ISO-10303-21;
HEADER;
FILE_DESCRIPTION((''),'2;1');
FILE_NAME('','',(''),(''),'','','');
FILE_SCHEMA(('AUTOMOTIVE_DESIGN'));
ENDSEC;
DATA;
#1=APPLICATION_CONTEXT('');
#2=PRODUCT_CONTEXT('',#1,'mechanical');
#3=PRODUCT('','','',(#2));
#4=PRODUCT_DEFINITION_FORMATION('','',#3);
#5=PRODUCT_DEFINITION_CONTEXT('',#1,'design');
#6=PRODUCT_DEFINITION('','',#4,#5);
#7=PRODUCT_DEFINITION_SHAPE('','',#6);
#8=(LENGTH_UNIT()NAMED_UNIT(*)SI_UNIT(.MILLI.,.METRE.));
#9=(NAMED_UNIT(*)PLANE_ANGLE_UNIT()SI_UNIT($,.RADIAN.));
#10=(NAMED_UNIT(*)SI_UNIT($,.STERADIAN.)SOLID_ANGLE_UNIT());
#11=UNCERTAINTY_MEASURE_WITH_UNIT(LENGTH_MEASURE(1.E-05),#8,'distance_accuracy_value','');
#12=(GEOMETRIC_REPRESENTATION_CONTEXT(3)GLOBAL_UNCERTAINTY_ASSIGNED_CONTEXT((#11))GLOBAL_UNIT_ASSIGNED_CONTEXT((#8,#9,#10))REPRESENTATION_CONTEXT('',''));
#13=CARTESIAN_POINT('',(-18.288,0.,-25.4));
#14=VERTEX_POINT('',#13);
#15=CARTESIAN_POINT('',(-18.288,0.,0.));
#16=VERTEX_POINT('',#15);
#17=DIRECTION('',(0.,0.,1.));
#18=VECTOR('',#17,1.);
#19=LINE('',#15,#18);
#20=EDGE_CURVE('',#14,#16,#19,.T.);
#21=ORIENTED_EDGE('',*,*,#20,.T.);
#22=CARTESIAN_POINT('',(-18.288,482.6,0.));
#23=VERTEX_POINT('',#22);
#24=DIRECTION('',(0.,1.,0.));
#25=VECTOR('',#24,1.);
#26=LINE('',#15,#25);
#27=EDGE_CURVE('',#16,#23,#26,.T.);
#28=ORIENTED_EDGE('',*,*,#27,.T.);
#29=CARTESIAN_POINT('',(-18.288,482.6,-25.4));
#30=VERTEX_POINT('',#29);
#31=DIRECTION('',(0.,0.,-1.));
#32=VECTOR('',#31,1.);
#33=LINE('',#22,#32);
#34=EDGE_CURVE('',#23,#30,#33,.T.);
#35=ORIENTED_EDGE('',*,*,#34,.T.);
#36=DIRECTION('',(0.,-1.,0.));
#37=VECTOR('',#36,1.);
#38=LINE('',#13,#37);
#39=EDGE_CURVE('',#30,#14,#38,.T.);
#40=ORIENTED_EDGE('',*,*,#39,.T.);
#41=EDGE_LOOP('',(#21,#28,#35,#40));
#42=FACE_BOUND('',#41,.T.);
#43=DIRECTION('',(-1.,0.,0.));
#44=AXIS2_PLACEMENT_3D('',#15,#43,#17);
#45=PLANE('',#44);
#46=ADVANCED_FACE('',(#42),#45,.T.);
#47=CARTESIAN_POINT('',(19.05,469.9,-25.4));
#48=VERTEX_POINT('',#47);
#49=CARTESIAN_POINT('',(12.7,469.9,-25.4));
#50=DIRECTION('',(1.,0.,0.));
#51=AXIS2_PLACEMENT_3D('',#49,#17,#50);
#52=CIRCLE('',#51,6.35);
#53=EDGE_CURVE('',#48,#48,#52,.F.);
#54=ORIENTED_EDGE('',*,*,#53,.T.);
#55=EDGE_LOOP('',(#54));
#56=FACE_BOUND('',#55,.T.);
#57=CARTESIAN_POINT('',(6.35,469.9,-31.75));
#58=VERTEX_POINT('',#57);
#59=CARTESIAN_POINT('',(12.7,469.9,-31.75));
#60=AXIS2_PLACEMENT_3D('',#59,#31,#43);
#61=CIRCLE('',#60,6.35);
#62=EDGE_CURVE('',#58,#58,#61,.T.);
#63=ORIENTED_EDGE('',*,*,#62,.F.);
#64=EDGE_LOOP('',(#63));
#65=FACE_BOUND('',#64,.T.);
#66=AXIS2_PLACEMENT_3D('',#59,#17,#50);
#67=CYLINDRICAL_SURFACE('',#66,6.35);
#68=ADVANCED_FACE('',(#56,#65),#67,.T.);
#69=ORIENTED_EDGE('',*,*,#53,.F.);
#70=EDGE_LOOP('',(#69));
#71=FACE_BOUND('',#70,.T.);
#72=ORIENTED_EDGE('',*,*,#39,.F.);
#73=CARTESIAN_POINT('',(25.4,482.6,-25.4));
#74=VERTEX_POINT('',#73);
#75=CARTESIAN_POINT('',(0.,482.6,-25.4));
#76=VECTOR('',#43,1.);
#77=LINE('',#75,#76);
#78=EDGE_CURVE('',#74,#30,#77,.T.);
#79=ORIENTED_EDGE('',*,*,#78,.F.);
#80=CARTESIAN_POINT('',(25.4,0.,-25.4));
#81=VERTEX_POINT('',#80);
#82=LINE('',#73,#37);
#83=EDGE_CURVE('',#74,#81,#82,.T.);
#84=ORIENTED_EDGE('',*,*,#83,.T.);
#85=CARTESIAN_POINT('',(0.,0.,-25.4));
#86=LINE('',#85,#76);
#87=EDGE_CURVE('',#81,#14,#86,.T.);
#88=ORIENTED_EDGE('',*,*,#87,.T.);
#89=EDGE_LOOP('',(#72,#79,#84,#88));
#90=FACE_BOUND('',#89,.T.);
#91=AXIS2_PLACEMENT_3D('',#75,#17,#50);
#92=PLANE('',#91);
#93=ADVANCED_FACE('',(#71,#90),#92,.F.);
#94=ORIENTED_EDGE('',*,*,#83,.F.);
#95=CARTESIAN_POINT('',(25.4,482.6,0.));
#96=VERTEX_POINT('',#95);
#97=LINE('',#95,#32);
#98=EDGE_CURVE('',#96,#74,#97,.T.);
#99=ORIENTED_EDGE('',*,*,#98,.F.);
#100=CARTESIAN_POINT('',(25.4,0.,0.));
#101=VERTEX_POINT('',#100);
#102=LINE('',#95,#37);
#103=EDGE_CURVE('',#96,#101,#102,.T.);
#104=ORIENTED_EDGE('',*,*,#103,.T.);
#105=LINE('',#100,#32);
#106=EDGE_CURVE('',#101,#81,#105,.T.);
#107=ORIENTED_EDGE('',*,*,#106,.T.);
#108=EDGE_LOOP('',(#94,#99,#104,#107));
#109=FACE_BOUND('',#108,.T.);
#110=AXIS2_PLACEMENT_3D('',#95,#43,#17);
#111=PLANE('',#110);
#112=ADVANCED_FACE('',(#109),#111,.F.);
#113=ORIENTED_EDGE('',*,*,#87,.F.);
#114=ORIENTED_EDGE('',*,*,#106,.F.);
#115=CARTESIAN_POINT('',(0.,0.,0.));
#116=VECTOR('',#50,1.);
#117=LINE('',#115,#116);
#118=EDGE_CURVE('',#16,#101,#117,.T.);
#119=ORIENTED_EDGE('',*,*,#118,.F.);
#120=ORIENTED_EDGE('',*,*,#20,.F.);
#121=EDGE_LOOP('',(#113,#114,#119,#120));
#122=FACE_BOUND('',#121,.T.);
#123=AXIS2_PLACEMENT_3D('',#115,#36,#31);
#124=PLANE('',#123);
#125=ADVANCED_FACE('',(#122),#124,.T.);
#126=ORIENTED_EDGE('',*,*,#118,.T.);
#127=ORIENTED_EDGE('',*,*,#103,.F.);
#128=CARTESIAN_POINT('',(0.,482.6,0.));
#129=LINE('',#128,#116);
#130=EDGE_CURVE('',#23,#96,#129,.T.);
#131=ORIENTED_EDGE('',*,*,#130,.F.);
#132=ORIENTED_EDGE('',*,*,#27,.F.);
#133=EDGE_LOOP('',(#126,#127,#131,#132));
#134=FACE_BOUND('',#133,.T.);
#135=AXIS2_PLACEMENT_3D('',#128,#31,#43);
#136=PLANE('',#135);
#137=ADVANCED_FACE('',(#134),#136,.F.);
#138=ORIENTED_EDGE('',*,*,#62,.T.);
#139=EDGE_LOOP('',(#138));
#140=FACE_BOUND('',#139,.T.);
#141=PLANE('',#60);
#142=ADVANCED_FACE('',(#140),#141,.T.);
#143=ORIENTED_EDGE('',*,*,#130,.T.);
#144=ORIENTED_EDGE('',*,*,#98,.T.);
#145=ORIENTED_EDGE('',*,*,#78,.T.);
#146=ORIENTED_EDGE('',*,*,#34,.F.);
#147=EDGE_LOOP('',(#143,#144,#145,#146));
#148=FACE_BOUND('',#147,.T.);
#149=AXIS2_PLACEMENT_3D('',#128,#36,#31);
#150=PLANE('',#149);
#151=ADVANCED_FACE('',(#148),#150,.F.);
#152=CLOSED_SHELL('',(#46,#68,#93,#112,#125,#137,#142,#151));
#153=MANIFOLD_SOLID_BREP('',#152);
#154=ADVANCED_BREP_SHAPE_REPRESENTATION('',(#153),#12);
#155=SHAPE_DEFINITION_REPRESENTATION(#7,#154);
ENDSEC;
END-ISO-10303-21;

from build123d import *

# Parameters (mm, degrees)
SKETCH1_W           = 25.4
SKETCH1_H           = 25.4
BOSS_EXTRUDE1_DEPTH = 482.6
SKETCH2_R           = 6.35
BOSS_EXTRUDE2_DEPTH = 6.35
SKETCH3_W           = 25.4
SKETCH3_H           = 482.6
BOSS_EXTRUDE3_DEPTH = 18.288


with BuildPart() as part:
    # Sketch1 → Boss-Extrude1 (new body)
    with BuildSketch(Plane(origin=(0, 0, 0), x_dir=(1, 0, 0), z_dir=(0, 1, 0))):
        with Locations((12.7, 12.7)):
            Rectangle(SKETCH1_W, SKETCH1_H)
    extrude(amount=BOSS_EXTRUDE1_DEPTH)

    # Sketch2 → Boss-Extrude2 (add)
    with BuildSketch(Plane(origin=(0, 0, -25.4), x_dir=(-1, 0, 0), z_dir=(0, 0, -1))):
        with Locations(Location((-12.7, 469.9, 0), (0, 0, 180))):
            Circle(SKETCH2_R)
    extrude(amount=BOSS_EXTRUDE2_DEPTH)

    # Sketch3 → Boss-Extrude3 (add)
    with BuildSketch(Plane.ZY):
        with Locations((-12.7, 241.3)):
            Rectangle(SKETCH3_W, SKETCH3_H)
    extrude(amount=BOSS_EXTRUDE3_DEPTH)


solid = part.part
